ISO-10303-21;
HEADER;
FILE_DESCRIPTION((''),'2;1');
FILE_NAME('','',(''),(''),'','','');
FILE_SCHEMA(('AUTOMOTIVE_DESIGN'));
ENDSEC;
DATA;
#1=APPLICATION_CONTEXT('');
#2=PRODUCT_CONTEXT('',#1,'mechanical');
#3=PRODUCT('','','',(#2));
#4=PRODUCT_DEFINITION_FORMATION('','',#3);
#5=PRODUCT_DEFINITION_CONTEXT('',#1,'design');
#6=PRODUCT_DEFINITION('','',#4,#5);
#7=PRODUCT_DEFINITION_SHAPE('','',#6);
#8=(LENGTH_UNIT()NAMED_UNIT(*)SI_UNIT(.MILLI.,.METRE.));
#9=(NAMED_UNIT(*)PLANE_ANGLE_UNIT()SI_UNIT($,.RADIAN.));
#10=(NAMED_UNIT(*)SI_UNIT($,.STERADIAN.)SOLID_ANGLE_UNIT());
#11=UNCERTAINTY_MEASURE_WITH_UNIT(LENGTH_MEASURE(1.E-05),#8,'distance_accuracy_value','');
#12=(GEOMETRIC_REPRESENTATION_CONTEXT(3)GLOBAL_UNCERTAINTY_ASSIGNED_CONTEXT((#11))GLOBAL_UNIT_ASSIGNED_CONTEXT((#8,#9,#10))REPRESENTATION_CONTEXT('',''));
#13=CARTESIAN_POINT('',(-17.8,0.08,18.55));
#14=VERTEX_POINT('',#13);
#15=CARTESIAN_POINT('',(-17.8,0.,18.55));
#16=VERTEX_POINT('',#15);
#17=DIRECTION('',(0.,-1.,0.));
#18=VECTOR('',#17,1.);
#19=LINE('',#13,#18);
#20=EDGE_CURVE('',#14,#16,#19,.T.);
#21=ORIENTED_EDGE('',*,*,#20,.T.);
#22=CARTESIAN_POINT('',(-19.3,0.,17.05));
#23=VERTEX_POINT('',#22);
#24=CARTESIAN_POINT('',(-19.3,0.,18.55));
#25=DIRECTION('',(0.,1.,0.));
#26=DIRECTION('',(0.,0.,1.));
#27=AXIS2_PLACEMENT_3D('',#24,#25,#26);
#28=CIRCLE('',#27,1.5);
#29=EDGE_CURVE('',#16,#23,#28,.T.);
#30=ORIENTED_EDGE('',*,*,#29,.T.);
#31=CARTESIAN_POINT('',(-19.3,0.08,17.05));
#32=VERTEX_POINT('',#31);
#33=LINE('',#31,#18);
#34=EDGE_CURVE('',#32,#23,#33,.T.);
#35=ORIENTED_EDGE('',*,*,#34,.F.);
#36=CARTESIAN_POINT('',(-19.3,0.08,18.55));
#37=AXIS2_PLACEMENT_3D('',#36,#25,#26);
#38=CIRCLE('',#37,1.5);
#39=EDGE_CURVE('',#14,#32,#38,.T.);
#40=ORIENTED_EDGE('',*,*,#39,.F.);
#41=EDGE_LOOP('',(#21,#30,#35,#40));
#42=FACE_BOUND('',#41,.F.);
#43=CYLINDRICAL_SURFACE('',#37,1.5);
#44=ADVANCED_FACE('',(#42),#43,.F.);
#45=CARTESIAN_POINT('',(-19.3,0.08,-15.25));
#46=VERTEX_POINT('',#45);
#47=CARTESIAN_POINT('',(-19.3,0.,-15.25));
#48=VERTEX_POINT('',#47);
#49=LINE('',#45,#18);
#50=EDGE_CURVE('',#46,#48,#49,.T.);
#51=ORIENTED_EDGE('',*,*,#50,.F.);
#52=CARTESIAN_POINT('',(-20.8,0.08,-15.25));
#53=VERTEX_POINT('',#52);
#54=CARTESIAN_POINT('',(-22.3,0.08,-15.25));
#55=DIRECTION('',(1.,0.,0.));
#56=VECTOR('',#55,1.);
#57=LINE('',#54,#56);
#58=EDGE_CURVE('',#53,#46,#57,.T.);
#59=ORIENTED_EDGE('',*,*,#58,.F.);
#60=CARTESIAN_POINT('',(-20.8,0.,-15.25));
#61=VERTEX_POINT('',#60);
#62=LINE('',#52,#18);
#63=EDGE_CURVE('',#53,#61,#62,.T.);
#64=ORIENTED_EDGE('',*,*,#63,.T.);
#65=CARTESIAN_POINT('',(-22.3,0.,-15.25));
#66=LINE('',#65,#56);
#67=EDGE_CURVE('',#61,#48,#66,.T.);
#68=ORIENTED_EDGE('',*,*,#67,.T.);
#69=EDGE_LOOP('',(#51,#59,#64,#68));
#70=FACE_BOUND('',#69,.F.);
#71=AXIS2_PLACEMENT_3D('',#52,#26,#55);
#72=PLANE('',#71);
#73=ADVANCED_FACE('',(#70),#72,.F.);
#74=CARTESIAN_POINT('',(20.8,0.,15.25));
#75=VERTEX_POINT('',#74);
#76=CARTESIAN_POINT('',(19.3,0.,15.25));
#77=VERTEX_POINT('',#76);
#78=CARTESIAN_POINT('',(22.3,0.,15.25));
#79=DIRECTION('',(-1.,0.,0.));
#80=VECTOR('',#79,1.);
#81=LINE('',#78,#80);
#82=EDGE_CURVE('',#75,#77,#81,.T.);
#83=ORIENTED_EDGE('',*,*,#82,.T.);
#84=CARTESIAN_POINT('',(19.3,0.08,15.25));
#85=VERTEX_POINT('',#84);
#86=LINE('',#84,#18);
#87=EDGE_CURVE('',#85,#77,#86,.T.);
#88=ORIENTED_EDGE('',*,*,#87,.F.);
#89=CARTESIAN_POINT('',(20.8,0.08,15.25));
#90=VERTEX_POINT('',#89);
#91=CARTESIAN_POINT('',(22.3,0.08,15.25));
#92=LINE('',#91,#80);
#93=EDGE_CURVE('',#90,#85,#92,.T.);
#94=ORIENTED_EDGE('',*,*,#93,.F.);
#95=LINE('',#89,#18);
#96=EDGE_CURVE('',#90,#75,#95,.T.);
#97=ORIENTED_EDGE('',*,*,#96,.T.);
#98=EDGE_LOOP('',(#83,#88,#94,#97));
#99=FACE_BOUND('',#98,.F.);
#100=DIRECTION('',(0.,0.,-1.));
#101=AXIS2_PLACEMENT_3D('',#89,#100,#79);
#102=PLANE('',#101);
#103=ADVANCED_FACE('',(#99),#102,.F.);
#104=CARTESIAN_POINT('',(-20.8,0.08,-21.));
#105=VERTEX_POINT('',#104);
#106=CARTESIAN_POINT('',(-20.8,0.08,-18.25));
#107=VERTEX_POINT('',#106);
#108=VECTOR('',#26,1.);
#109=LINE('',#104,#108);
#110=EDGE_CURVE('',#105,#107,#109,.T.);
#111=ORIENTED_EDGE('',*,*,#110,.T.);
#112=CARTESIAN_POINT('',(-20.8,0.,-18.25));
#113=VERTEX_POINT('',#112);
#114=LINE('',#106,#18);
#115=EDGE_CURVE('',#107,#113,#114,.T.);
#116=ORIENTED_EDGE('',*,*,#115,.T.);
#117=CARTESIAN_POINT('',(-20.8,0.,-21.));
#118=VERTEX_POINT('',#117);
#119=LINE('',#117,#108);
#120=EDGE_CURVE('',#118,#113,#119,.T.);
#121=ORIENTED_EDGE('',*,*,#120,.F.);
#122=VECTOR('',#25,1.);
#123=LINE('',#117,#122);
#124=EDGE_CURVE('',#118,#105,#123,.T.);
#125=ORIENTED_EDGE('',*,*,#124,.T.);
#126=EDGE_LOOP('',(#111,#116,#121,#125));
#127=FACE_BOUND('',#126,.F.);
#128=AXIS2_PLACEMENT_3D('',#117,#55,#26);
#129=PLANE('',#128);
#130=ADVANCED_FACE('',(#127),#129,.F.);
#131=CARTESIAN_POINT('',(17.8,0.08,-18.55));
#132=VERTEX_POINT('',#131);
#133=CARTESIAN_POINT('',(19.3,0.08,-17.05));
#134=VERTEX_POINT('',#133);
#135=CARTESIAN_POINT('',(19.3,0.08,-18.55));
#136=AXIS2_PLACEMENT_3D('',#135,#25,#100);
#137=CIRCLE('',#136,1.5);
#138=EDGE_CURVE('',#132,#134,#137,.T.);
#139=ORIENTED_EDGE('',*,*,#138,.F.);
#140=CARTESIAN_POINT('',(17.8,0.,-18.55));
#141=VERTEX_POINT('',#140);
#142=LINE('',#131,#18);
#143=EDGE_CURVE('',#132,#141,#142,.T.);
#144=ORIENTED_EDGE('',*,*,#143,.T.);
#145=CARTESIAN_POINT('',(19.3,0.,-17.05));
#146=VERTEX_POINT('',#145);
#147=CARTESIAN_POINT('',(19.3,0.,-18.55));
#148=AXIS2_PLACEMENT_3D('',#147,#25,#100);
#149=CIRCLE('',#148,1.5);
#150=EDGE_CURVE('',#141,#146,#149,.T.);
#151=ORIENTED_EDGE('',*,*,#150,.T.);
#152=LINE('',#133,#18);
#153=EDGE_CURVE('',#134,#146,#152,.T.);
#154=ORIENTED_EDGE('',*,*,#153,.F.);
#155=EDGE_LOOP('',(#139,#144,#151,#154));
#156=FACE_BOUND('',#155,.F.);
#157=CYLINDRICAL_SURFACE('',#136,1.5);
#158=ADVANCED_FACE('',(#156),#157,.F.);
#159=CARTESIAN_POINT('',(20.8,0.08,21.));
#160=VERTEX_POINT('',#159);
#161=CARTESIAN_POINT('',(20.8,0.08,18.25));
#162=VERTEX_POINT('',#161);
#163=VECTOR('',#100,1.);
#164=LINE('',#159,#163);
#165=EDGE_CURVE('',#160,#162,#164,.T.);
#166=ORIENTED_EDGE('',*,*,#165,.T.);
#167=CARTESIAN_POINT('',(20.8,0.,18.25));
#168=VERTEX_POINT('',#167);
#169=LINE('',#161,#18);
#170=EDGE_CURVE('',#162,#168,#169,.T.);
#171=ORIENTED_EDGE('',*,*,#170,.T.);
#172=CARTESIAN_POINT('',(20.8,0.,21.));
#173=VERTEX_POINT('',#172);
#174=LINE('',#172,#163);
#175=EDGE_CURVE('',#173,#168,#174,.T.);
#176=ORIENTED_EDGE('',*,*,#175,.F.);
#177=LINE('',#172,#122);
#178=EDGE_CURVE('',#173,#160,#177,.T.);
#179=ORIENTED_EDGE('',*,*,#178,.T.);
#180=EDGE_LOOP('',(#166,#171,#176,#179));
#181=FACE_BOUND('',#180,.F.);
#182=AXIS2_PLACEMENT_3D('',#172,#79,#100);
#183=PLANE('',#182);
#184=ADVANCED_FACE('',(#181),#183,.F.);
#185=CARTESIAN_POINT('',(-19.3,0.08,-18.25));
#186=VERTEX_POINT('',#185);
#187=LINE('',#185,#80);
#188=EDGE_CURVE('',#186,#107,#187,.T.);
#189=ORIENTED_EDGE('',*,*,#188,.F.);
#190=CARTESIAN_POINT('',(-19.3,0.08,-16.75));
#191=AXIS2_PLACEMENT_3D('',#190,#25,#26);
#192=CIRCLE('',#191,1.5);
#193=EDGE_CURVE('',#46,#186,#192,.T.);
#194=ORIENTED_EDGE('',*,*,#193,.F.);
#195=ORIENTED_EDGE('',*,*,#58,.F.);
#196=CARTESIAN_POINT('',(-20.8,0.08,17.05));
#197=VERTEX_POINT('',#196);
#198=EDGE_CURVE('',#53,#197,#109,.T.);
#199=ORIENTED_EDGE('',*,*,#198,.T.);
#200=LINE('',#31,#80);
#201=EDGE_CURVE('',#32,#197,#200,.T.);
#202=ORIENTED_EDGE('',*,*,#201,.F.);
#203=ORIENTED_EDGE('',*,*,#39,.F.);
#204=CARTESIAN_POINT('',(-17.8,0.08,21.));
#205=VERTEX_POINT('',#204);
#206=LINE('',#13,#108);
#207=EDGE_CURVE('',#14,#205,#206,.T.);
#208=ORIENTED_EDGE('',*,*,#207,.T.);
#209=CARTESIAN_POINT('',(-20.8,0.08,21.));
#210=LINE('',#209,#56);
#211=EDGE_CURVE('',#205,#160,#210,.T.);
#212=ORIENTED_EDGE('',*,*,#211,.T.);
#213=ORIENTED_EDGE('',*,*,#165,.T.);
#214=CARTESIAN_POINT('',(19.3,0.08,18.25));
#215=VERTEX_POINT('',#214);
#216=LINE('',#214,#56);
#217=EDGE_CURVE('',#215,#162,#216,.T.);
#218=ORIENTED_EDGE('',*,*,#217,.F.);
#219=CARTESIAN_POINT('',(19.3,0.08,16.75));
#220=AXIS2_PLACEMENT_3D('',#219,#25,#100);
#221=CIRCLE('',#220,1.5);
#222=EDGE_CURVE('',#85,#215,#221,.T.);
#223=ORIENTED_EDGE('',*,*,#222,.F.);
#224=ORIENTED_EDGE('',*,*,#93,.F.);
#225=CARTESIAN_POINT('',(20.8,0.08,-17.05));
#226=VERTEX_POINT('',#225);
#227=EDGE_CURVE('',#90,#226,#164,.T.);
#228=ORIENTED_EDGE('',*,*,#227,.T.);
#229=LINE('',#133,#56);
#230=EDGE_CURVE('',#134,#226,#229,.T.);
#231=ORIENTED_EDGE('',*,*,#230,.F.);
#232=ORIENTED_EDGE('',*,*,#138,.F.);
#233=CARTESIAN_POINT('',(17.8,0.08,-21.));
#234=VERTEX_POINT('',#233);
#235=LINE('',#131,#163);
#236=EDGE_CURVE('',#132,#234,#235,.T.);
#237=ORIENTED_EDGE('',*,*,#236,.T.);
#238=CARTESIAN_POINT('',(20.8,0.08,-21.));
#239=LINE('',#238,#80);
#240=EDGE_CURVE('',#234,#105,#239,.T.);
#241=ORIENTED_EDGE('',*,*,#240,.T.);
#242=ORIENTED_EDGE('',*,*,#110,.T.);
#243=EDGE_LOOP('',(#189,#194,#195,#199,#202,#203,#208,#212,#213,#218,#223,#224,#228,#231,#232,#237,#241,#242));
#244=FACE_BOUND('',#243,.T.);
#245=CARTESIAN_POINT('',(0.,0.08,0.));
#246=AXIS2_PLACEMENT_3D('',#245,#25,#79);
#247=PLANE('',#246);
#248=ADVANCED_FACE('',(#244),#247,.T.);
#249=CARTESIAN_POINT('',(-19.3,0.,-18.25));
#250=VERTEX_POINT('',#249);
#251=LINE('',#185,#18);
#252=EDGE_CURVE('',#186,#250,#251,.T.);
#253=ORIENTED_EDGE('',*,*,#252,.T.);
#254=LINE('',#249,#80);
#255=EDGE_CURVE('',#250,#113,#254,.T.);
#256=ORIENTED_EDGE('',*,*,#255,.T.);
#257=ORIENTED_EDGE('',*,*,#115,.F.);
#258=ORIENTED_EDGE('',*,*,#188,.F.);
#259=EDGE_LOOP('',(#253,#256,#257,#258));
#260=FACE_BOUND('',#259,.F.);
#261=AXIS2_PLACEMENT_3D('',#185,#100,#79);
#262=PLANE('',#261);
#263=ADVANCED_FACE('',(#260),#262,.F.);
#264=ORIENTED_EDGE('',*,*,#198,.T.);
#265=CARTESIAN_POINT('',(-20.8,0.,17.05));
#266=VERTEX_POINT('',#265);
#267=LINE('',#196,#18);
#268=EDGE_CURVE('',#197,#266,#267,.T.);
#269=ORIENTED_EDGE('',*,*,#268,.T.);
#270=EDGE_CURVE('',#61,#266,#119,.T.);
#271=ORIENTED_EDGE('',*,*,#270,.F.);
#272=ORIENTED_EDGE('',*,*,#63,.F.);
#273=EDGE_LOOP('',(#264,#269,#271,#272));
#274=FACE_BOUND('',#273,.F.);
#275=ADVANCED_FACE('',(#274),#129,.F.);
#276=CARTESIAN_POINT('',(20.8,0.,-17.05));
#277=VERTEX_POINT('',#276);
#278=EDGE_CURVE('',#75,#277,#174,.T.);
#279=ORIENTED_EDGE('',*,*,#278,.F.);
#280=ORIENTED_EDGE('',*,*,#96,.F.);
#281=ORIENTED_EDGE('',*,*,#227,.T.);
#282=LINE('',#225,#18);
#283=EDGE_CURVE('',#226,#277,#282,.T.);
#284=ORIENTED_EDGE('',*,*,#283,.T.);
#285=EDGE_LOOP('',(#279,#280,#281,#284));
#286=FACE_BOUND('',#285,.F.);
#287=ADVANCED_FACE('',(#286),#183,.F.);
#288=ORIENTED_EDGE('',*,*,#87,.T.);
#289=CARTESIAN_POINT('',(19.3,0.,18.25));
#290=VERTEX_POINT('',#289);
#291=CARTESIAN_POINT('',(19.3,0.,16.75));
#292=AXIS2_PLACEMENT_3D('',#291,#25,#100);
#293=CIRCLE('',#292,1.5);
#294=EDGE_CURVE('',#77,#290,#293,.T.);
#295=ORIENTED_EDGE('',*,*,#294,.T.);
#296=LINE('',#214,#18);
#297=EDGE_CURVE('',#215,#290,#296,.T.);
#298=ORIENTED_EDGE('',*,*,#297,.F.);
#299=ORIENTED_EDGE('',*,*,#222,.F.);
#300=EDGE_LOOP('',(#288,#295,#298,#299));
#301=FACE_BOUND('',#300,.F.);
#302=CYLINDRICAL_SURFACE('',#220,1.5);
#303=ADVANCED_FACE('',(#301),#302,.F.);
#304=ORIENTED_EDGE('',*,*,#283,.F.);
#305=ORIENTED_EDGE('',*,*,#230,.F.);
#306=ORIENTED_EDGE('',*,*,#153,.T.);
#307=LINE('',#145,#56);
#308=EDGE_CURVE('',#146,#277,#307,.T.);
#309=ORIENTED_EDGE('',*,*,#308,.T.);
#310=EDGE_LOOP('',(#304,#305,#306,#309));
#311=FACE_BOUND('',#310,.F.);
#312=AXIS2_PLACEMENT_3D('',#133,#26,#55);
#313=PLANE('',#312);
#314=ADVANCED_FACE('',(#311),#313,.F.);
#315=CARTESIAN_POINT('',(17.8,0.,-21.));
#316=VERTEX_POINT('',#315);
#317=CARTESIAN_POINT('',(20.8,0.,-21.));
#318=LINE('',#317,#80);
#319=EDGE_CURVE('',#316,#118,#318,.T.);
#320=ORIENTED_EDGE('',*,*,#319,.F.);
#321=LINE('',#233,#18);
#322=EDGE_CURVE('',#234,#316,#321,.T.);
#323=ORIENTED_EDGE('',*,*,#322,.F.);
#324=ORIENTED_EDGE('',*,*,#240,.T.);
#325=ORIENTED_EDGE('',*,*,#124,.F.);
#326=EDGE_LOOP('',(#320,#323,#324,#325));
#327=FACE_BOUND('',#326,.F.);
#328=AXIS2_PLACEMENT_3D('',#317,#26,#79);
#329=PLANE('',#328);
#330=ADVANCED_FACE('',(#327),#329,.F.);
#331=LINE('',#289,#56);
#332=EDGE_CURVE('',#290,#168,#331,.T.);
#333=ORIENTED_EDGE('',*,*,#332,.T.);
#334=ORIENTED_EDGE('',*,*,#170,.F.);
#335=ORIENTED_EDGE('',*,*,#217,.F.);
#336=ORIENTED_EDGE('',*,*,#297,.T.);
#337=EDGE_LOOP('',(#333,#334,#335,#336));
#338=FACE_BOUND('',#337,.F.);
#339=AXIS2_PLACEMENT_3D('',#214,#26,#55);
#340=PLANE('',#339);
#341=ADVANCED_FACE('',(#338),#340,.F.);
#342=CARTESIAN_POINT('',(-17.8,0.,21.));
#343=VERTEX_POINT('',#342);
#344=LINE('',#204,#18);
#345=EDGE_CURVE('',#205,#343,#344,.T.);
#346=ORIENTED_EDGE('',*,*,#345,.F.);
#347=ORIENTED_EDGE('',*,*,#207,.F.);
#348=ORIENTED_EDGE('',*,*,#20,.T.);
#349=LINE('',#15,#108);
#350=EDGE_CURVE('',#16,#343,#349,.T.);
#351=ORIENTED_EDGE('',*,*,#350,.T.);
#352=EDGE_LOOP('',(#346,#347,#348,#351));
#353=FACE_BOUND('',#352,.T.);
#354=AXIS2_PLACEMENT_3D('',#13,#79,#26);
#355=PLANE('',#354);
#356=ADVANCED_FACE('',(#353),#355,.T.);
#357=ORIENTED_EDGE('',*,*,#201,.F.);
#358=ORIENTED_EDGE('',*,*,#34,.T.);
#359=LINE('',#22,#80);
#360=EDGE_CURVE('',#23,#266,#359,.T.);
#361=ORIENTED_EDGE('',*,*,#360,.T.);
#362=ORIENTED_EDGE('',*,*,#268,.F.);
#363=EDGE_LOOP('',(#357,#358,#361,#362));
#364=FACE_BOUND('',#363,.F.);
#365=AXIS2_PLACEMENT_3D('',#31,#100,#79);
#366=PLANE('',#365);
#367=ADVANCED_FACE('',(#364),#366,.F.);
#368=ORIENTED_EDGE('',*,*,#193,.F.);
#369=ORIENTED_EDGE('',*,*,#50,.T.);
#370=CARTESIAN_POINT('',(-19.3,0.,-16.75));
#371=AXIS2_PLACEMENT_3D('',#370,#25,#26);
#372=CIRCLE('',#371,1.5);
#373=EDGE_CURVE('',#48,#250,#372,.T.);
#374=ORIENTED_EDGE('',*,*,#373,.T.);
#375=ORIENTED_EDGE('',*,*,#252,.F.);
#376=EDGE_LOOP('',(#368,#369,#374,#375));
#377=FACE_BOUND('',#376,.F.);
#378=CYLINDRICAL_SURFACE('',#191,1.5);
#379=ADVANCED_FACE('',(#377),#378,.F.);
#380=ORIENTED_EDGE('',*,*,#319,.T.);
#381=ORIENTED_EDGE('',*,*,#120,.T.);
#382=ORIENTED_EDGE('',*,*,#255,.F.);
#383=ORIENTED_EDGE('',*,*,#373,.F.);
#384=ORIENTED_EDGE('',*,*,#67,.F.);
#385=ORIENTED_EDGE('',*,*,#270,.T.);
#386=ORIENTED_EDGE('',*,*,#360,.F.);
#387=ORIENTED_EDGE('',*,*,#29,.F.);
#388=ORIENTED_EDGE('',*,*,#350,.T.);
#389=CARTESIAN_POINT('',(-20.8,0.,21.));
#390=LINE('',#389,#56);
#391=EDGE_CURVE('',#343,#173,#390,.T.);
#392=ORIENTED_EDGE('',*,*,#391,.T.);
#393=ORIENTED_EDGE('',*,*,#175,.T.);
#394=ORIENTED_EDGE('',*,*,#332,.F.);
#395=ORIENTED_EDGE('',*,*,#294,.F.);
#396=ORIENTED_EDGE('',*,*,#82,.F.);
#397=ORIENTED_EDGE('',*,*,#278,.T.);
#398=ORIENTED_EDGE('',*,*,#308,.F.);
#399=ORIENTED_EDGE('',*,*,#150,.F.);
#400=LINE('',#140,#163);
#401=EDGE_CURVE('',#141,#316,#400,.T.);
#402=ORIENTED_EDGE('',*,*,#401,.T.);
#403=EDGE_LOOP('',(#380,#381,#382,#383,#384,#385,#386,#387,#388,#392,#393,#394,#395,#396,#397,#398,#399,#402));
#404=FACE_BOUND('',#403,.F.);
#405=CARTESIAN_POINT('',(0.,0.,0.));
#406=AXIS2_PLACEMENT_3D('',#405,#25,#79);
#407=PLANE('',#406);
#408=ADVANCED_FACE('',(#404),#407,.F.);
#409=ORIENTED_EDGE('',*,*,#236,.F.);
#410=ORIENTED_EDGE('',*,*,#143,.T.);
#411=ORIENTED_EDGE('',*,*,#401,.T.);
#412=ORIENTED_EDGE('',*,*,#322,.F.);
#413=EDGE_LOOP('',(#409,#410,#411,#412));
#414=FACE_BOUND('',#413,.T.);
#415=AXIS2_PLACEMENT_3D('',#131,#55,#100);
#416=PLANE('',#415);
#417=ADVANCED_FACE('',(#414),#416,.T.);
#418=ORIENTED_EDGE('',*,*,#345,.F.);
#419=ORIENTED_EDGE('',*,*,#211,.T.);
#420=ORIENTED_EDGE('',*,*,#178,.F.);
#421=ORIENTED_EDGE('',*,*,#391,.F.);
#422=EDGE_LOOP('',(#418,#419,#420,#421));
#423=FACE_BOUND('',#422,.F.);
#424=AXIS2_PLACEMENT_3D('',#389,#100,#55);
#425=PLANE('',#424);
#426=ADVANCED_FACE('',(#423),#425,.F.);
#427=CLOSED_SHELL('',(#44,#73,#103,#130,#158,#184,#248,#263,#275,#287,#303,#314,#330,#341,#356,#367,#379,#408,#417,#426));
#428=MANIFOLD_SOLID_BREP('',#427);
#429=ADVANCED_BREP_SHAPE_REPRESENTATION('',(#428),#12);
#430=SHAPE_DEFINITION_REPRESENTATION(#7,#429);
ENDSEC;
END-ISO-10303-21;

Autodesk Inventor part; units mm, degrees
ref_plane "YZ Plane" through (0, 0, 0) normal (1, 0, 0) x (0, 1, 0)
ref_plane "XZ Plane" through (0, 0, 0) normal (0, 1, 0) x (-1, 0, 0)
ref_plane "XY Plane" through (0, 0, 0) normal (0, 0, 1) x (1, 0, 0)
sketch "Sketch1" plane through (0, 0, 0) normal (0, 1, 0) x (-1, 0, 0)
  line L0 (-20.8, -21) -> (20.8, -21)
  line L1 (20.8, -21) -> (20.8, 21)
  line L2 (20.8, 21) -> (-20.8, 21)
  line L3 (-20.8, 21) -> (-20.8, -21)
  line L4 (-20.8, -21) -> (20.8, 21) construction
  line L5 (20.8, -21) -> (-20.8, 21) construction
  point P0 (0, 0)
  dimension "d0" = 42
  dimension "d1" = 41.6
extrude "Extrusion1" add sketch "Sketch1" along normal blind 0.08
sketch "Sketch2" plane through (0, 0.08, 0) normal (0, 1, 0) x (1, 0, 0)
  line L0 (-20.8, 21) -> (-20.8, -21) projected
  line L1 (-20.8, 18.3058) -> (-20.8, 15.1942)
  line L2 (-20.8, -17.05) -> (-20.8, -20.05)
  line L3 (20.8, 21) -> (-20.8, 21) projected
  line L4 (-22.3, 16.75) -> (-19.3, 16.75) construction
  line L5 (-22.3, 15.25) -> (-19.3, 15.25)
  line L6 (-19.3, 18.25) -> (-22.3, 18.25)
  arc A0 (-22.3, 18.25) -> (-22.3, 15.25) centre (-22.3, 16.75) ccw
  arc A1 (-19.3, 15.25) -> (-19.3, 18.25) centre (-19.3, 16.75) ccw
  line L7 (-22.3, -18.55) -> (-19.3, -18.55) construction
  line L8 (-22.3, -20.05) -> (-19.3, -20.05)
  line L9 (-19.3, -17.05) -> (-22.3, -17.05)
  arc A2 (-22.3, -17.05) -> (-22.3, -20.05) centre (-22.3, -18.55) ccw
  arc A3 (-19.3, -20.05) -> (-19.3, -17.05) centre (-19.3, -18.55) ccw
  line L10 (-20.8, -21) -> (20.8, -21) projected
  line L11 (20.8, -21) -> (20.8, 21) projected
  line L12 (22.3, -16.75) -> (19.3, -16.75) construction
  line L13 (22.3, -15.25) -> (19.3, -15.25)
  line L14 (20.8, -18.3058) -> (20.8, -15.1942)
  arc A4 (22.3, -18.25) -> (22.3, -15.25) centre (22.3, -16.75) ccw
  arc A5 (19.3, -15.25) -> (19.3, -18.25) centre (19.3, -16.75) ccw
  line L15 (19.3, -18.25) -> (22.3, -18.25)
  arc A6 (19.3, 20.05) -> (19.3, 17.05) centre (19.3, 18.55) ccw
  line L16 (19.3, 17.05) -> (22.3, 17.05)
  line L17 (20.8, 17.05) -> (20.8, 20.05)
  line L18 (22.3, 18.55) -> (19.3, 18.55) construction
  line L19 (22.3, 20.05) -> (19.3, 20.05)
  arc A7 (22.3, 17.05) -> (22.3, 20.05) centre (22.3, 18.55) ccw
  point P0 (-20.8, 16.75)
  point P1 (-20.8, 16.75)
  point P2 (-20.8, -18.55)
  point P3 (0, 0)
  point P4 (20.8, -16.75)
  point P5 (20.8, -16.75)
  point P6 (20.8, 18.55)
  point P7 (20.8, 17.05)
  point P8 (20.8, -18.25)
  point P9 (20.8, -15.25)
  point P10 (-20.8, 18.25)
  point P11 (-20.8, 15.25)
  dimension "d16" = 1.5
  dimension "d17" = 4.25
  dimension "d18" = 1.5
  dimension "d20" = 1.5
  dimension "d22" = 39.55
  dimension "d23" = 21
  dimension "d24" = 42
  dimension "d25" = 41.6
  dimension "d26" = 20.8
  dimension "d29" = 360
extrude "Extrusion2" cut sketch "Sketch2" against normal blind 0.08 contours L6 A1 L5 L0 | L11 L16 A6 L19 | L9 A3 L8 L0 | L11 L15 A5 L13
sketch "Sketch3" plane through (0, 0.08, 0) normal (0, 1, 0) x (1, 0, 0)
  arc A0 (19.3, 20.05) -> (19.3, 17.05) centre (19.3, 18.55) ccw projected
  line L0 (17.8, 18.55) -> (17.8, 21)
  line L1 (20.8, 21) -> (-20.8, 21) projected
  line L2 (20.8, 20.05) -> (20.8, 21) projected
  line L3 (19.3, 20.05) -> (20.8, 20.05) projected
  line L4 (-19.3, -20.05) -> (-20.8, -20.05) projected
  arc A1 (-19.3, -20.05) -> (-19.3, -17.05) centre (-19.3, -18.55) ccw projected
  line L5 (-20.8, -20.05) -> (-20.8, -21) projected
  line L6 (-20.8, -21) -> (20.8, -21) projected
  line L7 (-17.8, -18.55) -> (-17.8, -21)
  point P0 (0, 0)
extrude "Extrusion3" cut sketch "Sketch3" against normal blind 0.08
equation "\"d20\" = d16"
equation "\"d23\" = 0.5 * d24"
equation "\"d26\" = 0.5 * d25"
properties part number "Coverplate Film" material "Thermoplastic Resin"
